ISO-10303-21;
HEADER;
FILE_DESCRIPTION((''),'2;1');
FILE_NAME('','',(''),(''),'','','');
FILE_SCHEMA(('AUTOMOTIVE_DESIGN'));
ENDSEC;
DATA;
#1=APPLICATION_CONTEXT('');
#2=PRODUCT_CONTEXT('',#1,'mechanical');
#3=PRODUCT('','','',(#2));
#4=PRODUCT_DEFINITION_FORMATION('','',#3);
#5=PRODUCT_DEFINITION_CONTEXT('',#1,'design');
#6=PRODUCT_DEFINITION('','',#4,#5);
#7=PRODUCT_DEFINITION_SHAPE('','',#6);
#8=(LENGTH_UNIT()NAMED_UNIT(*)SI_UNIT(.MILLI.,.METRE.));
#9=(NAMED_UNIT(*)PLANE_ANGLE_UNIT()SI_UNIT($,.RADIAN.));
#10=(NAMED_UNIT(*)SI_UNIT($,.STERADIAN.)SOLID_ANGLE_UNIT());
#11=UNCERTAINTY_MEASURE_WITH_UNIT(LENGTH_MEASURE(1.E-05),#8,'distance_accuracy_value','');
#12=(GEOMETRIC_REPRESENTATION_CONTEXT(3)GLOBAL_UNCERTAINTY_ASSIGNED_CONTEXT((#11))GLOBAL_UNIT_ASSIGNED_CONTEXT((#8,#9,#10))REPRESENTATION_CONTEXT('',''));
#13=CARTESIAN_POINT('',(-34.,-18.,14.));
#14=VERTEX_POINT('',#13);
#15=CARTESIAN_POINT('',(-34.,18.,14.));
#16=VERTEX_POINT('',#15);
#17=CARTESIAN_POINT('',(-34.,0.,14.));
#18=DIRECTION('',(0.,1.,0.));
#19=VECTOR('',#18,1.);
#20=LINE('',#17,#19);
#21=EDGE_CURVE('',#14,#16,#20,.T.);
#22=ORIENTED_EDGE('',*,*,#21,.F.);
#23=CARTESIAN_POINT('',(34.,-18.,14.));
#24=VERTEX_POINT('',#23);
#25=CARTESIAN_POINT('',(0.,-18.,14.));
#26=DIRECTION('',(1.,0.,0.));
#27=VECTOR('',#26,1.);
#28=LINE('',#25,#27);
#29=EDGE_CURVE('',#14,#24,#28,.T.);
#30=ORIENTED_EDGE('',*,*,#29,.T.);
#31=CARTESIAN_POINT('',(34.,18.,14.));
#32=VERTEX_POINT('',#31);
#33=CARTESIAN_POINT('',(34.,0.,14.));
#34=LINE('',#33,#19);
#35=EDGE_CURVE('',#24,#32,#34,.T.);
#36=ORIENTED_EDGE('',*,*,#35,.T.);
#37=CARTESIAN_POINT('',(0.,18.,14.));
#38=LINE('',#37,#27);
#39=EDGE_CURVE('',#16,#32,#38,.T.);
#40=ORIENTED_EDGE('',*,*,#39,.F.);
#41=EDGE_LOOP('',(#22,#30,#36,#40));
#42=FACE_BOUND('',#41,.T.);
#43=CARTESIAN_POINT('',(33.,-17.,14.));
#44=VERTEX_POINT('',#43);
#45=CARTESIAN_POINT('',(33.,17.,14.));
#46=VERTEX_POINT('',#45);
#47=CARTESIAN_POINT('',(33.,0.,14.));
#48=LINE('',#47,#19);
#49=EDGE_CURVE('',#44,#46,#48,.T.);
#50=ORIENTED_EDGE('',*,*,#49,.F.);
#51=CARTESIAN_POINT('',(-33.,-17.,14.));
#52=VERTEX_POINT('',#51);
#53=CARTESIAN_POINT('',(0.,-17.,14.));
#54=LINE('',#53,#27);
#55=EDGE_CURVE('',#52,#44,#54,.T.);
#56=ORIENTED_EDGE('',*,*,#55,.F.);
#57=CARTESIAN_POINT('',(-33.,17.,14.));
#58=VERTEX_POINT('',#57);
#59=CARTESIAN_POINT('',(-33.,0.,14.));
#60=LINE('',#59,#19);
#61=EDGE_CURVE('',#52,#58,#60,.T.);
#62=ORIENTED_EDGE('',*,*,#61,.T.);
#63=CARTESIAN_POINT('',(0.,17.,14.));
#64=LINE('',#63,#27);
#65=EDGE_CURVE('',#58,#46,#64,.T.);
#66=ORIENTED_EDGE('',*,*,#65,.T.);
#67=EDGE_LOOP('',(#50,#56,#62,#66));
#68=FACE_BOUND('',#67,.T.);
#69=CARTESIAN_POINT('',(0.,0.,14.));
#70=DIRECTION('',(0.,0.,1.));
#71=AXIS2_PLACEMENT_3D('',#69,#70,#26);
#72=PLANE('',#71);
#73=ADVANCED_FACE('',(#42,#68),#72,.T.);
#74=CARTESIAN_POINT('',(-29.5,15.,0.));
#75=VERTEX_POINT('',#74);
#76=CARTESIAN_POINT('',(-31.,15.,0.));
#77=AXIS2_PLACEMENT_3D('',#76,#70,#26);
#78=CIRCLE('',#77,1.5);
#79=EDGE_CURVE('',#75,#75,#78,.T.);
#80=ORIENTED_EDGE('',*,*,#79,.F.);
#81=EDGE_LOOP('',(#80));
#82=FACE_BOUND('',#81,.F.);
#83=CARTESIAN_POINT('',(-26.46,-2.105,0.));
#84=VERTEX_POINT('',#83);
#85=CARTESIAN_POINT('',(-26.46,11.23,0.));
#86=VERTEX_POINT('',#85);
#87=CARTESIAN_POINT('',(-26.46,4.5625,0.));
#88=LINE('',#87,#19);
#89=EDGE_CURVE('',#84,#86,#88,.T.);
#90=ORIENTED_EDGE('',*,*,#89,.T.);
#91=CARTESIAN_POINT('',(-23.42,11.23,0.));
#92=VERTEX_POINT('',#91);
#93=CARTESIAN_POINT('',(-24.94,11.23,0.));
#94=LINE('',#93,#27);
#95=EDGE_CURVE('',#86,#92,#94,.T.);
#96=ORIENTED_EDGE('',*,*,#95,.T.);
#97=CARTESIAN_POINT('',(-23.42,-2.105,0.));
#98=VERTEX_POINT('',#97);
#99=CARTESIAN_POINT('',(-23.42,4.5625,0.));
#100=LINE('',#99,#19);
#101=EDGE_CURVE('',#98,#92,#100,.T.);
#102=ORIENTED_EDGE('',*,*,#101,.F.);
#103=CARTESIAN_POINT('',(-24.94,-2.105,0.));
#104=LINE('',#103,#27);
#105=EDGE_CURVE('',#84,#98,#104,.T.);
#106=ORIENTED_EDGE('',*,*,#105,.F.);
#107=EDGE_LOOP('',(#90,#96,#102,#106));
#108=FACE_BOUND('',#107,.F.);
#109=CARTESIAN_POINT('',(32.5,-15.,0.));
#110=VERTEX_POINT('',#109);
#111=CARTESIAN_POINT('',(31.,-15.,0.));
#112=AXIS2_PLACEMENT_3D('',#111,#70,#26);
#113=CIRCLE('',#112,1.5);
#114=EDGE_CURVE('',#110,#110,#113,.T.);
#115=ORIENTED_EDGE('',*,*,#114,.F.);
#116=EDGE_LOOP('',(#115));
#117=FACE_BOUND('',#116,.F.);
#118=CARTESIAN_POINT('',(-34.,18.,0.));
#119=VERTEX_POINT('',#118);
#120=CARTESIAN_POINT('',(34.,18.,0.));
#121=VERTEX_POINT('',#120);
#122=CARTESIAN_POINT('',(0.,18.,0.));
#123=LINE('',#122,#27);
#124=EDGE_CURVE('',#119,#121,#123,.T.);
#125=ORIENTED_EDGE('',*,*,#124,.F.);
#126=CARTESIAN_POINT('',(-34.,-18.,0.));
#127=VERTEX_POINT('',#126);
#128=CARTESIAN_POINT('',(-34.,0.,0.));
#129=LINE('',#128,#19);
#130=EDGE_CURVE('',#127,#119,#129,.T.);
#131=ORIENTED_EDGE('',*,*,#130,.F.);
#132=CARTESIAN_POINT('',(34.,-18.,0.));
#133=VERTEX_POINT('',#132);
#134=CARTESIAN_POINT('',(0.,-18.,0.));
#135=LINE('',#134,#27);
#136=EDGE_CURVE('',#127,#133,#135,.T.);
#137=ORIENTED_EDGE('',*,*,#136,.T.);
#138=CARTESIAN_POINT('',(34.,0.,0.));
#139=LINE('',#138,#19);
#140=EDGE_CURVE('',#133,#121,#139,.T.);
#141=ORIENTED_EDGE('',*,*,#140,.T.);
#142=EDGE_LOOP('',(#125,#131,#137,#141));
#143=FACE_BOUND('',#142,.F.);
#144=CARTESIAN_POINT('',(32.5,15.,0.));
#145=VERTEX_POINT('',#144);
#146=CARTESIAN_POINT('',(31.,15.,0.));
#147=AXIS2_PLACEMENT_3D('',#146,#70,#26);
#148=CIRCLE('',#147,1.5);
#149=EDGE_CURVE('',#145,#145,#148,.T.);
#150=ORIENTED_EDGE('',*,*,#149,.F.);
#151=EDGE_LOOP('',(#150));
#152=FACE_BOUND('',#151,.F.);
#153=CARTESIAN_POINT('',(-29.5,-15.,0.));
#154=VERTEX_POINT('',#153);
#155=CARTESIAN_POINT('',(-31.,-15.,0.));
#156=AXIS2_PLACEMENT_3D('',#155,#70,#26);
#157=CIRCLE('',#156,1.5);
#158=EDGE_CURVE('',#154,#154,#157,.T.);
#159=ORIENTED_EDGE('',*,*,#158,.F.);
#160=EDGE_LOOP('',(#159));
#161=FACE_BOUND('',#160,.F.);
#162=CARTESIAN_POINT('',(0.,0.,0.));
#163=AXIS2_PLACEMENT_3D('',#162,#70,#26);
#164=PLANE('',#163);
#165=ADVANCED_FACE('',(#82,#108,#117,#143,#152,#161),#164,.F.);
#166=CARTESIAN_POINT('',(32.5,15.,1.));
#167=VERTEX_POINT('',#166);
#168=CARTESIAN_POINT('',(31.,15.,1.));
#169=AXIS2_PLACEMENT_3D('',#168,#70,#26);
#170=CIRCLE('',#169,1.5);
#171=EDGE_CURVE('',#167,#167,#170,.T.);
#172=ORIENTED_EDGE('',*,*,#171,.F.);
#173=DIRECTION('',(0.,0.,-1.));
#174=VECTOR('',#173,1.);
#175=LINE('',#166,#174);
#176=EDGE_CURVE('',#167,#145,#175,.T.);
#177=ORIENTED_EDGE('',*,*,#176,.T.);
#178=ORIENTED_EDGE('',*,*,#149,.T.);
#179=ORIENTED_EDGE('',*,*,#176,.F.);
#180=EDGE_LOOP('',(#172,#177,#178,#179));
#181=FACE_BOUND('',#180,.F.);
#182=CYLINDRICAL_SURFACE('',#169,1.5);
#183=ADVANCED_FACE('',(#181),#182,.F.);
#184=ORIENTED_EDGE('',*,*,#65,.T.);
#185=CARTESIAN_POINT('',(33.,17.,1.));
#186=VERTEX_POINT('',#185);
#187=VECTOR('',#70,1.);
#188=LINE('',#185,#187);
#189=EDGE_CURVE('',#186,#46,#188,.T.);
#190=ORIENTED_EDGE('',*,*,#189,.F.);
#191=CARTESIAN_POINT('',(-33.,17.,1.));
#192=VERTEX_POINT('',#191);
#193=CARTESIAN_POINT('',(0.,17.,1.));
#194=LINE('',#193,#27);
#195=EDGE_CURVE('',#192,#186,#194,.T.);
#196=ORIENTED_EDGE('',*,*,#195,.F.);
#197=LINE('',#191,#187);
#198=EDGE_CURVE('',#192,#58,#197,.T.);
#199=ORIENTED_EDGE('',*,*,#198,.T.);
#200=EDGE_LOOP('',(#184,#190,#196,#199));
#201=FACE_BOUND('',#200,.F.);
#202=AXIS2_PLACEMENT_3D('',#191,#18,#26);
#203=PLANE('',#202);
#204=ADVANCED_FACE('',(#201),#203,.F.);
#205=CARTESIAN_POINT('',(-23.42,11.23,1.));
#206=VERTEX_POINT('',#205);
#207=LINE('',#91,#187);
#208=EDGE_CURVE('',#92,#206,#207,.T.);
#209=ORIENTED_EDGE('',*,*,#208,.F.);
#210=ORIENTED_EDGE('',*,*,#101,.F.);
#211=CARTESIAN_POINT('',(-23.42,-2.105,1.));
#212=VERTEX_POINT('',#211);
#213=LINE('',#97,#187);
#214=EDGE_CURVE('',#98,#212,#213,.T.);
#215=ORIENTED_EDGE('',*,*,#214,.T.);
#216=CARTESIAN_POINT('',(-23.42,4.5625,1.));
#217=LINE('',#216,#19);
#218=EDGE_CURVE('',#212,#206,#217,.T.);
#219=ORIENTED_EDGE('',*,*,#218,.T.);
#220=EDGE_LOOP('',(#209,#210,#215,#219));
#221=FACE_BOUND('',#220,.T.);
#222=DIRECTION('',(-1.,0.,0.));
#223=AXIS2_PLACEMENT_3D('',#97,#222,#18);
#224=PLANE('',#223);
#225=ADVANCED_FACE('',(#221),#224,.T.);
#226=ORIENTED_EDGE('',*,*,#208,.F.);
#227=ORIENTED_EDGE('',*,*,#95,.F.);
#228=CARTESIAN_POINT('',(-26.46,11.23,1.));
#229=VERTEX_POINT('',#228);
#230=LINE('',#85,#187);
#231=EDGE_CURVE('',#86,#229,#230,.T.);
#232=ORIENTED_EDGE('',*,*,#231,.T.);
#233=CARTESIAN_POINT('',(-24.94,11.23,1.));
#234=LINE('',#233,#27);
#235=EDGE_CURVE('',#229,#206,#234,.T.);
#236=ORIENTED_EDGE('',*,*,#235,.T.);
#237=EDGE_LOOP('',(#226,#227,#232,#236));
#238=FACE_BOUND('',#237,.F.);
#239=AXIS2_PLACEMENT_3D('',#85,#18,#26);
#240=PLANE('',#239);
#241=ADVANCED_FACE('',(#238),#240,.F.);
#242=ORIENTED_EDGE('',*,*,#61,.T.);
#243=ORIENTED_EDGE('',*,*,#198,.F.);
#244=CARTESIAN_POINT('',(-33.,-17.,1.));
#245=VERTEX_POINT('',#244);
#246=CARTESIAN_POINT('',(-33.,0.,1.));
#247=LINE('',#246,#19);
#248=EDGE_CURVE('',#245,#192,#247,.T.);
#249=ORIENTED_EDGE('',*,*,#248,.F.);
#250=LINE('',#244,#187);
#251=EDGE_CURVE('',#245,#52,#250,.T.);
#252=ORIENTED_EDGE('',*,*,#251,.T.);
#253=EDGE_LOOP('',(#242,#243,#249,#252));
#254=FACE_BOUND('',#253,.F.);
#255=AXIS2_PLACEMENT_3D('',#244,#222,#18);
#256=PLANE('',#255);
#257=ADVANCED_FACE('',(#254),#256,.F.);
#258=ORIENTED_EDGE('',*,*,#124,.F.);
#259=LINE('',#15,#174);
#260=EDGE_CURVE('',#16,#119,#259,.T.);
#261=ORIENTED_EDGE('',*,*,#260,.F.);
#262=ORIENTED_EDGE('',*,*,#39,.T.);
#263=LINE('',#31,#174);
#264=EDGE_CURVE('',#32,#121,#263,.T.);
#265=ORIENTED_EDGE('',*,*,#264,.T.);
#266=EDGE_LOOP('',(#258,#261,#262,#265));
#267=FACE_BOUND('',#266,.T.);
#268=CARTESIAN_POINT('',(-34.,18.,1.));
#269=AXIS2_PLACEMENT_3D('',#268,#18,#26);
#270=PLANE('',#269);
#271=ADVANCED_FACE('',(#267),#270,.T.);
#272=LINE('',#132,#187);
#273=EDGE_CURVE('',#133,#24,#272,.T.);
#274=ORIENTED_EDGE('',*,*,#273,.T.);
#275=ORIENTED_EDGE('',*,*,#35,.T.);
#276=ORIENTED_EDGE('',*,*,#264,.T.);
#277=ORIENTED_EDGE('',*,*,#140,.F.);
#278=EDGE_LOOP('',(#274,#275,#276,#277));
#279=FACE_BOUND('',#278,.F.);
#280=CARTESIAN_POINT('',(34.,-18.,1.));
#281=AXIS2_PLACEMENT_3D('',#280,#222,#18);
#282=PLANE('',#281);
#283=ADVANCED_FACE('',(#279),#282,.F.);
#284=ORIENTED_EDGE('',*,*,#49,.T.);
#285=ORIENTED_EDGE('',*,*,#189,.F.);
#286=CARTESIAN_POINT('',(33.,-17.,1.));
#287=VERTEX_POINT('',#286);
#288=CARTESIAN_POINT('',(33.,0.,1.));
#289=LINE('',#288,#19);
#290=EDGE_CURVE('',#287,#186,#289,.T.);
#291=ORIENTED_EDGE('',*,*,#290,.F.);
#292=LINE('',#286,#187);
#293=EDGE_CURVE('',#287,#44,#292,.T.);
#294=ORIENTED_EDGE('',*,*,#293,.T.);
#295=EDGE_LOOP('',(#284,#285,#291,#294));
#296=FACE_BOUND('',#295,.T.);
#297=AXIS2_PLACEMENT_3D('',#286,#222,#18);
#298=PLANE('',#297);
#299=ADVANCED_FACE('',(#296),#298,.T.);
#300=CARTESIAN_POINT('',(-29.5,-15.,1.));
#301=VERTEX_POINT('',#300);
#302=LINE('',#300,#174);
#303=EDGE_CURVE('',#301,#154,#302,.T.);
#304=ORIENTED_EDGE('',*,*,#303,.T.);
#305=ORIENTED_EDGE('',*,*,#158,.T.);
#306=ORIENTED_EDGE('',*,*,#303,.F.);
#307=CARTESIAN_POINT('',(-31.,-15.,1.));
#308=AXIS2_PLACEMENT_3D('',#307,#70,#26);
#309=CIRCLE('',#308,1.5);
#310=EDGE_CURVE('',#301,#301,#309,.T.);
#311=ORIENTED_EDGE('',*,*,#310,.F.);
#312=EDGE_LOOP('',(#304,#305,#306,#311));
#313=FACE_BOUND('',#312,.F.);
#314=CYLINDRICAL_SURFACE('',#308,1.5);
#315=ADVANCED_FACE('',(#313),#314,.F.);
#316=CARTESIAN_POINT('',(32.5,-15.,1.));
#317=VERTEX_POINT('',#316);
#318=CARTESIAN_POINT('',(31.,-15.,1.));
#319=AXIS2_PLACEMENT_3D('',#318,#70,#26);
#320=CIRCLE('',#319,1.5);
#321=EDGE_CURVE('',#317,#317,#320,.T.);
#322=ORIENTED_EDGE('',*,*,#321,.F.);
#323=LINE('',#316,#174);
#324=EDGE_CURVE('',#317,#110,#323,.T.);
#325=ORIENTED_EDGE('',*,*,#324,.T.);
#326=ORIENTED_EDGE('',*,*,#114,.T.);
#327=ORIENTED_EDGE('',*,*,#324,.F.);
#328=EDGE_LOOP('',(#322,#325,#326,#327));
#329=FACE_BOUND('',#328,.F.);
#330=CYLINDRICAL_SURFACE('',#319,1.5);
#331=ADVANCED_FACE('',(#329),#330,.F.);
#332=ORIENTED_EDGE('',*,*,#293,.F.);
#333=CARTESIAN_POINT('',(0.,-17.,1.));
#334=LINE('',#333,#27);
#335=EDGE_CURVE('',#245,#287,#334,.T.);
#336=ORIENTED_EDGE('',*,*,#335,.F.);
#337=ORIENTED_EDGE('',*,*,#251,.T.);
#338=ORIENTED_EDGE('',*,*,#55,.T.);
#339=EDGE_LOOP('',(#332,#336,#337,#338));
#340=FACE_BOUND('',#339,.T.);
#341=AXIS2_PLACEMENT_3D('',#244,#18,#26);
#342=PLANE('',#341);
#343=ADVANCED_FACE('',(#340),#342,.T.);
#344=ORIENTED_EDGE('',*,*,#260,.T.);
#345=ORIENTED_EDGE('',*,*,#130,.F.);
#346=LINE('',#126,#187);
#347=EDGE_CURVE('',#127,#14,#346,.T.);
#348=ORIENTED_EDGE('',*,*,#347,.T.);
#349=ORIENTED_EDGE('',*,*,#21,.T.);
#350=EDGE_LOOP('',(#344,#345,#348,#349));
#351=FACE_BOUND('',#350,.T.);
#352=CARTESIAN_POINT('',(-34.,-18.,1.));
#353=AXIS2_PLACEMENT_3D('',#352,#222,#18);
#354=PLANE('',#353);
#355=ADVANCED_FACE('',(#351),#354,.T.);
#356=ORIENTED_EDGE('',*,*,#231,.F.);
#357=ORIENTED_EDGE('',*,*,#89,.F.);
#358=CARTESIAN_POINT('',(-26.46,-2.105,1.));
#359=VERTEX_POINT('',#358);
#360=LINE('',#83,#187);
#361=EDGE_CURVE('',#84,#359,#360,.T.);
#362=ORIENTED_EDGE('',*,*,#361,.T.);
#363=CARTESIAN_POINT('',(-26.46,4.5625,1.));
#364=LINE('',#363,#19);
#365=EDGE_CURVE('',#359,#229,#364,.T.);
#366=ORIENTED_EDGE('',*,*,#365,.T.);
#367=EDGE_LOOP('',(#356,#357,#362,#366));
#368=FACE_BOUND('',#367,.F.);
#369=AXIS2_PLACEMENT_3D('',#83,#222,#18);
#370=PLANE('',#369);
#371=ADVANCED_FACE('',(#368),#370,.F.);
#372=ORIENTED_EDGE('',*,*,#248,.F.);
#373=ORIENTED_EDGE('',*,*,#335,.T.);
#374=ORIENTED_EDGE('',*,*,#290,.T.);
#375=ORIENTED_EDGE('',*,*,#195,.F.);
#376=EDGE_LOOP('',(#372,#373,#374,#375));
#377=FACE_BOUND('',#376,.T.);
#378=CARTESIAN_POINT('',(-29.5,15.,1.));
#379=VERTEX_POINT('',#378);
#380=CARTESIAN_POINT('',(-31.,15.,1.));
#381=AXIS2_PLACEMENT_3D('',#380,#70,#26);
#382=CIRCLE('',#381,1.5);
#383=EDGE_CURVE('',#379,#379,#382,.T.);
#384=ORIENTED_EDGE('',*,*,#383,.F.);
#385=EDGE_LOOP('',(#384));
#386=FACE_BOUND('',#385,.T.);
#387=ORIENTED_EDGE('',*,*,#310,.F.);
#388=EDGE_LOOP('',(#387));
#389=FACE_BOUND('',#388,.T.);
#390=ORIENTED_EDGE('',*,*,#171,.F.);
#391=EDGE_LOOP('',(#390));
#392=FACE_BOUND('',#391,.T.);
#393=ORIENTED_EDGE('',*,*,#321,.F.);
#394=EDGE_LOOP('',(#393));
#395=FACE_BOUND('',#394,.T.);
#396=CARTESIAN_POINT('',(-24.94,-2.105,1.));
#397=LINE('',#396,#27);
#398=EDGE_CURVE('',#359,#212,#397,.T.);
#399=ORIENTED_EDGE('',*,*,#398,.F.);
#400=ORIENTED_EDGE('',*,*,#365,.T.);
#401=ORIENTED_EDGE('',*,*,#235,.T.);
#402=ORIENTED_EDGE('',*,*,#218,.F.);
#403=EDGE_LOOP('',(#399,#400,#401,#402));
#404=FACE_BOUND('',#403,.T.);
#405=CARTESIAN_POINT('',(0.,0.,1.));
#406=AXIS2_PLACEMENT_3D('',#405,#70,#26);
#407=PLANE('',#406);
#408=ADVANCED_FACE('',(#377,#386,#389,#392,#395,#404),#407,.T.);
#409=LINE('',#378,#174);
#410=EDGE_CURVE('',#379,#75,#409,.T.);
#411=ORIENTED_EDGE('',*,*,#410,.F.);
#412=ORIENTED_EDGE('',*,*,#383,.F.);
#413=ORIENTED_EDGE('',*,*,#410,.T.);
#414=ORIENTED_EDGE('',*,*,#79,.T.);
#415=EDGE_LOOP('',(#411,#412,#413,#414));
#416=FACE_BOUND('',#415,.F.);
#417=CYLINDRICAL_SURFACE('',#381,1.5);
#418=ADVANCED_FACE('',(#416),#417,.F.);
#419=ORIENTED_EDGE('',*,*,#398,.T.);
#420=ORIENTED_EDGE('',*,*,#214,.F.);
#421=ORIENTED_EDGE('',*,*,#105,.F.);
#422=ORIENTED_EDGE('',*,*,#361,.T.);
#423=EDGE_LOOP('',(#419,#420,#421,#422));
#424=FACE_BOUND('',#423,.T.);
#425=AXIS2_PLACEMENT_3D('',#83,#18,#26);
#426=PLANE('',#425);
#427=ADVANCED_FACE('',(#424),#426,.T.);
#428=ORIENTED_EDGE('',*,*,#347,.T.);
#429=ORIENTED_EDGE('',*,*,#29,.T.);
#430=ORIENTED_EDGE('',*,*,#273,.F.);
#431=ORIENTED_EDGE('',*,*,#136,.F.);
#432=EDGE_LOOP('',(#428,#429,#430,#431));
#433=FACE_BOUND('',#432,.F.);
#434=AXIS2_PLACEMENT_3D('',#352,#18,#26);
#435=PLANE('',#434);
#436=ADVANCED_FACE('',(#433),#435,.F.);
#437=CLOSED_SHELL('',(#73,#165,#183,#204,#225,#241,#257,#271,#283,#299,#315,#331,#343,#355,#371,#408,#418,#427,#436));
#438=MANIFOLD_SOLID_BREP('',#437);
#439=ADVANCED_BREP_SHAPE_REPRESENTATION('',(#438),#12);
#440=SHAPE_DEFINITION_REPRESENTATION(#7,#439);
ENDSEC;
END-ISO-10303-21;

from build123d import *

# Parameters (mm, degrees)
SKETCH069_W     = 68
SKETCH069_H     = 36
SKETCH069_W_2   = 3.04
SKETCH069_H_2   = 13.335
PAD048_DEPTH    = 1
SKETCH070_W     = 68
SKETCH070_H     = 36
SKETCH070_W_2   = 66
SKETCH070_H_2   = 34
PAD049_DEPTH    = 13
SKETCH073_R     = 1.5
POCKET013_DEPTH = 1.001


with BuildPart() as part:
    # Sketch069 → Pad048 (new body)
    with BuildSketch(Plane.XY):
        Rectangle(SKETCH069_W, SKETCH069_H)
        with Locations((-24.94, 4.5625)):
            Rectangle(SKETCH069_W_2, SKETCH069_H_2, mode=Mode.SUBTRACT)
    extrude(amount=PAD048_DEPTH)

    # Sketch070 (on Face10 of Pad048) → Pad049 (join)
    with BuildSketch(Plane.XY.offset(1)):
        Rectangle(SKETCH070_W, SKETCH070_H)
        Rectangle(SKETCH070_W_2, SKETCH070_H_2, mode=Mode.SUBTRACT)
    extrude(amount=PAD049_DEPTH)

    # Sketch073 (on Face15 of Pad049) → Pocket013 (cut, through all)
    with BuildSketch(Plane.XY.offset(1)):
        with Locations((-31, 15)):
            Circle(SKETCH073_R)
        with Locations((31, 15)):
            Circle(SKETCH073_R)
        with Locations((31, -15)):
            Circle(SKETCH073_R)
        with Locations((-31, -15)):
            Circle(SKETCH073_R)
    extrude(amount=-POCKET013_DEPTH, mode=Mode.SUBTRACT)


solid = part.part
